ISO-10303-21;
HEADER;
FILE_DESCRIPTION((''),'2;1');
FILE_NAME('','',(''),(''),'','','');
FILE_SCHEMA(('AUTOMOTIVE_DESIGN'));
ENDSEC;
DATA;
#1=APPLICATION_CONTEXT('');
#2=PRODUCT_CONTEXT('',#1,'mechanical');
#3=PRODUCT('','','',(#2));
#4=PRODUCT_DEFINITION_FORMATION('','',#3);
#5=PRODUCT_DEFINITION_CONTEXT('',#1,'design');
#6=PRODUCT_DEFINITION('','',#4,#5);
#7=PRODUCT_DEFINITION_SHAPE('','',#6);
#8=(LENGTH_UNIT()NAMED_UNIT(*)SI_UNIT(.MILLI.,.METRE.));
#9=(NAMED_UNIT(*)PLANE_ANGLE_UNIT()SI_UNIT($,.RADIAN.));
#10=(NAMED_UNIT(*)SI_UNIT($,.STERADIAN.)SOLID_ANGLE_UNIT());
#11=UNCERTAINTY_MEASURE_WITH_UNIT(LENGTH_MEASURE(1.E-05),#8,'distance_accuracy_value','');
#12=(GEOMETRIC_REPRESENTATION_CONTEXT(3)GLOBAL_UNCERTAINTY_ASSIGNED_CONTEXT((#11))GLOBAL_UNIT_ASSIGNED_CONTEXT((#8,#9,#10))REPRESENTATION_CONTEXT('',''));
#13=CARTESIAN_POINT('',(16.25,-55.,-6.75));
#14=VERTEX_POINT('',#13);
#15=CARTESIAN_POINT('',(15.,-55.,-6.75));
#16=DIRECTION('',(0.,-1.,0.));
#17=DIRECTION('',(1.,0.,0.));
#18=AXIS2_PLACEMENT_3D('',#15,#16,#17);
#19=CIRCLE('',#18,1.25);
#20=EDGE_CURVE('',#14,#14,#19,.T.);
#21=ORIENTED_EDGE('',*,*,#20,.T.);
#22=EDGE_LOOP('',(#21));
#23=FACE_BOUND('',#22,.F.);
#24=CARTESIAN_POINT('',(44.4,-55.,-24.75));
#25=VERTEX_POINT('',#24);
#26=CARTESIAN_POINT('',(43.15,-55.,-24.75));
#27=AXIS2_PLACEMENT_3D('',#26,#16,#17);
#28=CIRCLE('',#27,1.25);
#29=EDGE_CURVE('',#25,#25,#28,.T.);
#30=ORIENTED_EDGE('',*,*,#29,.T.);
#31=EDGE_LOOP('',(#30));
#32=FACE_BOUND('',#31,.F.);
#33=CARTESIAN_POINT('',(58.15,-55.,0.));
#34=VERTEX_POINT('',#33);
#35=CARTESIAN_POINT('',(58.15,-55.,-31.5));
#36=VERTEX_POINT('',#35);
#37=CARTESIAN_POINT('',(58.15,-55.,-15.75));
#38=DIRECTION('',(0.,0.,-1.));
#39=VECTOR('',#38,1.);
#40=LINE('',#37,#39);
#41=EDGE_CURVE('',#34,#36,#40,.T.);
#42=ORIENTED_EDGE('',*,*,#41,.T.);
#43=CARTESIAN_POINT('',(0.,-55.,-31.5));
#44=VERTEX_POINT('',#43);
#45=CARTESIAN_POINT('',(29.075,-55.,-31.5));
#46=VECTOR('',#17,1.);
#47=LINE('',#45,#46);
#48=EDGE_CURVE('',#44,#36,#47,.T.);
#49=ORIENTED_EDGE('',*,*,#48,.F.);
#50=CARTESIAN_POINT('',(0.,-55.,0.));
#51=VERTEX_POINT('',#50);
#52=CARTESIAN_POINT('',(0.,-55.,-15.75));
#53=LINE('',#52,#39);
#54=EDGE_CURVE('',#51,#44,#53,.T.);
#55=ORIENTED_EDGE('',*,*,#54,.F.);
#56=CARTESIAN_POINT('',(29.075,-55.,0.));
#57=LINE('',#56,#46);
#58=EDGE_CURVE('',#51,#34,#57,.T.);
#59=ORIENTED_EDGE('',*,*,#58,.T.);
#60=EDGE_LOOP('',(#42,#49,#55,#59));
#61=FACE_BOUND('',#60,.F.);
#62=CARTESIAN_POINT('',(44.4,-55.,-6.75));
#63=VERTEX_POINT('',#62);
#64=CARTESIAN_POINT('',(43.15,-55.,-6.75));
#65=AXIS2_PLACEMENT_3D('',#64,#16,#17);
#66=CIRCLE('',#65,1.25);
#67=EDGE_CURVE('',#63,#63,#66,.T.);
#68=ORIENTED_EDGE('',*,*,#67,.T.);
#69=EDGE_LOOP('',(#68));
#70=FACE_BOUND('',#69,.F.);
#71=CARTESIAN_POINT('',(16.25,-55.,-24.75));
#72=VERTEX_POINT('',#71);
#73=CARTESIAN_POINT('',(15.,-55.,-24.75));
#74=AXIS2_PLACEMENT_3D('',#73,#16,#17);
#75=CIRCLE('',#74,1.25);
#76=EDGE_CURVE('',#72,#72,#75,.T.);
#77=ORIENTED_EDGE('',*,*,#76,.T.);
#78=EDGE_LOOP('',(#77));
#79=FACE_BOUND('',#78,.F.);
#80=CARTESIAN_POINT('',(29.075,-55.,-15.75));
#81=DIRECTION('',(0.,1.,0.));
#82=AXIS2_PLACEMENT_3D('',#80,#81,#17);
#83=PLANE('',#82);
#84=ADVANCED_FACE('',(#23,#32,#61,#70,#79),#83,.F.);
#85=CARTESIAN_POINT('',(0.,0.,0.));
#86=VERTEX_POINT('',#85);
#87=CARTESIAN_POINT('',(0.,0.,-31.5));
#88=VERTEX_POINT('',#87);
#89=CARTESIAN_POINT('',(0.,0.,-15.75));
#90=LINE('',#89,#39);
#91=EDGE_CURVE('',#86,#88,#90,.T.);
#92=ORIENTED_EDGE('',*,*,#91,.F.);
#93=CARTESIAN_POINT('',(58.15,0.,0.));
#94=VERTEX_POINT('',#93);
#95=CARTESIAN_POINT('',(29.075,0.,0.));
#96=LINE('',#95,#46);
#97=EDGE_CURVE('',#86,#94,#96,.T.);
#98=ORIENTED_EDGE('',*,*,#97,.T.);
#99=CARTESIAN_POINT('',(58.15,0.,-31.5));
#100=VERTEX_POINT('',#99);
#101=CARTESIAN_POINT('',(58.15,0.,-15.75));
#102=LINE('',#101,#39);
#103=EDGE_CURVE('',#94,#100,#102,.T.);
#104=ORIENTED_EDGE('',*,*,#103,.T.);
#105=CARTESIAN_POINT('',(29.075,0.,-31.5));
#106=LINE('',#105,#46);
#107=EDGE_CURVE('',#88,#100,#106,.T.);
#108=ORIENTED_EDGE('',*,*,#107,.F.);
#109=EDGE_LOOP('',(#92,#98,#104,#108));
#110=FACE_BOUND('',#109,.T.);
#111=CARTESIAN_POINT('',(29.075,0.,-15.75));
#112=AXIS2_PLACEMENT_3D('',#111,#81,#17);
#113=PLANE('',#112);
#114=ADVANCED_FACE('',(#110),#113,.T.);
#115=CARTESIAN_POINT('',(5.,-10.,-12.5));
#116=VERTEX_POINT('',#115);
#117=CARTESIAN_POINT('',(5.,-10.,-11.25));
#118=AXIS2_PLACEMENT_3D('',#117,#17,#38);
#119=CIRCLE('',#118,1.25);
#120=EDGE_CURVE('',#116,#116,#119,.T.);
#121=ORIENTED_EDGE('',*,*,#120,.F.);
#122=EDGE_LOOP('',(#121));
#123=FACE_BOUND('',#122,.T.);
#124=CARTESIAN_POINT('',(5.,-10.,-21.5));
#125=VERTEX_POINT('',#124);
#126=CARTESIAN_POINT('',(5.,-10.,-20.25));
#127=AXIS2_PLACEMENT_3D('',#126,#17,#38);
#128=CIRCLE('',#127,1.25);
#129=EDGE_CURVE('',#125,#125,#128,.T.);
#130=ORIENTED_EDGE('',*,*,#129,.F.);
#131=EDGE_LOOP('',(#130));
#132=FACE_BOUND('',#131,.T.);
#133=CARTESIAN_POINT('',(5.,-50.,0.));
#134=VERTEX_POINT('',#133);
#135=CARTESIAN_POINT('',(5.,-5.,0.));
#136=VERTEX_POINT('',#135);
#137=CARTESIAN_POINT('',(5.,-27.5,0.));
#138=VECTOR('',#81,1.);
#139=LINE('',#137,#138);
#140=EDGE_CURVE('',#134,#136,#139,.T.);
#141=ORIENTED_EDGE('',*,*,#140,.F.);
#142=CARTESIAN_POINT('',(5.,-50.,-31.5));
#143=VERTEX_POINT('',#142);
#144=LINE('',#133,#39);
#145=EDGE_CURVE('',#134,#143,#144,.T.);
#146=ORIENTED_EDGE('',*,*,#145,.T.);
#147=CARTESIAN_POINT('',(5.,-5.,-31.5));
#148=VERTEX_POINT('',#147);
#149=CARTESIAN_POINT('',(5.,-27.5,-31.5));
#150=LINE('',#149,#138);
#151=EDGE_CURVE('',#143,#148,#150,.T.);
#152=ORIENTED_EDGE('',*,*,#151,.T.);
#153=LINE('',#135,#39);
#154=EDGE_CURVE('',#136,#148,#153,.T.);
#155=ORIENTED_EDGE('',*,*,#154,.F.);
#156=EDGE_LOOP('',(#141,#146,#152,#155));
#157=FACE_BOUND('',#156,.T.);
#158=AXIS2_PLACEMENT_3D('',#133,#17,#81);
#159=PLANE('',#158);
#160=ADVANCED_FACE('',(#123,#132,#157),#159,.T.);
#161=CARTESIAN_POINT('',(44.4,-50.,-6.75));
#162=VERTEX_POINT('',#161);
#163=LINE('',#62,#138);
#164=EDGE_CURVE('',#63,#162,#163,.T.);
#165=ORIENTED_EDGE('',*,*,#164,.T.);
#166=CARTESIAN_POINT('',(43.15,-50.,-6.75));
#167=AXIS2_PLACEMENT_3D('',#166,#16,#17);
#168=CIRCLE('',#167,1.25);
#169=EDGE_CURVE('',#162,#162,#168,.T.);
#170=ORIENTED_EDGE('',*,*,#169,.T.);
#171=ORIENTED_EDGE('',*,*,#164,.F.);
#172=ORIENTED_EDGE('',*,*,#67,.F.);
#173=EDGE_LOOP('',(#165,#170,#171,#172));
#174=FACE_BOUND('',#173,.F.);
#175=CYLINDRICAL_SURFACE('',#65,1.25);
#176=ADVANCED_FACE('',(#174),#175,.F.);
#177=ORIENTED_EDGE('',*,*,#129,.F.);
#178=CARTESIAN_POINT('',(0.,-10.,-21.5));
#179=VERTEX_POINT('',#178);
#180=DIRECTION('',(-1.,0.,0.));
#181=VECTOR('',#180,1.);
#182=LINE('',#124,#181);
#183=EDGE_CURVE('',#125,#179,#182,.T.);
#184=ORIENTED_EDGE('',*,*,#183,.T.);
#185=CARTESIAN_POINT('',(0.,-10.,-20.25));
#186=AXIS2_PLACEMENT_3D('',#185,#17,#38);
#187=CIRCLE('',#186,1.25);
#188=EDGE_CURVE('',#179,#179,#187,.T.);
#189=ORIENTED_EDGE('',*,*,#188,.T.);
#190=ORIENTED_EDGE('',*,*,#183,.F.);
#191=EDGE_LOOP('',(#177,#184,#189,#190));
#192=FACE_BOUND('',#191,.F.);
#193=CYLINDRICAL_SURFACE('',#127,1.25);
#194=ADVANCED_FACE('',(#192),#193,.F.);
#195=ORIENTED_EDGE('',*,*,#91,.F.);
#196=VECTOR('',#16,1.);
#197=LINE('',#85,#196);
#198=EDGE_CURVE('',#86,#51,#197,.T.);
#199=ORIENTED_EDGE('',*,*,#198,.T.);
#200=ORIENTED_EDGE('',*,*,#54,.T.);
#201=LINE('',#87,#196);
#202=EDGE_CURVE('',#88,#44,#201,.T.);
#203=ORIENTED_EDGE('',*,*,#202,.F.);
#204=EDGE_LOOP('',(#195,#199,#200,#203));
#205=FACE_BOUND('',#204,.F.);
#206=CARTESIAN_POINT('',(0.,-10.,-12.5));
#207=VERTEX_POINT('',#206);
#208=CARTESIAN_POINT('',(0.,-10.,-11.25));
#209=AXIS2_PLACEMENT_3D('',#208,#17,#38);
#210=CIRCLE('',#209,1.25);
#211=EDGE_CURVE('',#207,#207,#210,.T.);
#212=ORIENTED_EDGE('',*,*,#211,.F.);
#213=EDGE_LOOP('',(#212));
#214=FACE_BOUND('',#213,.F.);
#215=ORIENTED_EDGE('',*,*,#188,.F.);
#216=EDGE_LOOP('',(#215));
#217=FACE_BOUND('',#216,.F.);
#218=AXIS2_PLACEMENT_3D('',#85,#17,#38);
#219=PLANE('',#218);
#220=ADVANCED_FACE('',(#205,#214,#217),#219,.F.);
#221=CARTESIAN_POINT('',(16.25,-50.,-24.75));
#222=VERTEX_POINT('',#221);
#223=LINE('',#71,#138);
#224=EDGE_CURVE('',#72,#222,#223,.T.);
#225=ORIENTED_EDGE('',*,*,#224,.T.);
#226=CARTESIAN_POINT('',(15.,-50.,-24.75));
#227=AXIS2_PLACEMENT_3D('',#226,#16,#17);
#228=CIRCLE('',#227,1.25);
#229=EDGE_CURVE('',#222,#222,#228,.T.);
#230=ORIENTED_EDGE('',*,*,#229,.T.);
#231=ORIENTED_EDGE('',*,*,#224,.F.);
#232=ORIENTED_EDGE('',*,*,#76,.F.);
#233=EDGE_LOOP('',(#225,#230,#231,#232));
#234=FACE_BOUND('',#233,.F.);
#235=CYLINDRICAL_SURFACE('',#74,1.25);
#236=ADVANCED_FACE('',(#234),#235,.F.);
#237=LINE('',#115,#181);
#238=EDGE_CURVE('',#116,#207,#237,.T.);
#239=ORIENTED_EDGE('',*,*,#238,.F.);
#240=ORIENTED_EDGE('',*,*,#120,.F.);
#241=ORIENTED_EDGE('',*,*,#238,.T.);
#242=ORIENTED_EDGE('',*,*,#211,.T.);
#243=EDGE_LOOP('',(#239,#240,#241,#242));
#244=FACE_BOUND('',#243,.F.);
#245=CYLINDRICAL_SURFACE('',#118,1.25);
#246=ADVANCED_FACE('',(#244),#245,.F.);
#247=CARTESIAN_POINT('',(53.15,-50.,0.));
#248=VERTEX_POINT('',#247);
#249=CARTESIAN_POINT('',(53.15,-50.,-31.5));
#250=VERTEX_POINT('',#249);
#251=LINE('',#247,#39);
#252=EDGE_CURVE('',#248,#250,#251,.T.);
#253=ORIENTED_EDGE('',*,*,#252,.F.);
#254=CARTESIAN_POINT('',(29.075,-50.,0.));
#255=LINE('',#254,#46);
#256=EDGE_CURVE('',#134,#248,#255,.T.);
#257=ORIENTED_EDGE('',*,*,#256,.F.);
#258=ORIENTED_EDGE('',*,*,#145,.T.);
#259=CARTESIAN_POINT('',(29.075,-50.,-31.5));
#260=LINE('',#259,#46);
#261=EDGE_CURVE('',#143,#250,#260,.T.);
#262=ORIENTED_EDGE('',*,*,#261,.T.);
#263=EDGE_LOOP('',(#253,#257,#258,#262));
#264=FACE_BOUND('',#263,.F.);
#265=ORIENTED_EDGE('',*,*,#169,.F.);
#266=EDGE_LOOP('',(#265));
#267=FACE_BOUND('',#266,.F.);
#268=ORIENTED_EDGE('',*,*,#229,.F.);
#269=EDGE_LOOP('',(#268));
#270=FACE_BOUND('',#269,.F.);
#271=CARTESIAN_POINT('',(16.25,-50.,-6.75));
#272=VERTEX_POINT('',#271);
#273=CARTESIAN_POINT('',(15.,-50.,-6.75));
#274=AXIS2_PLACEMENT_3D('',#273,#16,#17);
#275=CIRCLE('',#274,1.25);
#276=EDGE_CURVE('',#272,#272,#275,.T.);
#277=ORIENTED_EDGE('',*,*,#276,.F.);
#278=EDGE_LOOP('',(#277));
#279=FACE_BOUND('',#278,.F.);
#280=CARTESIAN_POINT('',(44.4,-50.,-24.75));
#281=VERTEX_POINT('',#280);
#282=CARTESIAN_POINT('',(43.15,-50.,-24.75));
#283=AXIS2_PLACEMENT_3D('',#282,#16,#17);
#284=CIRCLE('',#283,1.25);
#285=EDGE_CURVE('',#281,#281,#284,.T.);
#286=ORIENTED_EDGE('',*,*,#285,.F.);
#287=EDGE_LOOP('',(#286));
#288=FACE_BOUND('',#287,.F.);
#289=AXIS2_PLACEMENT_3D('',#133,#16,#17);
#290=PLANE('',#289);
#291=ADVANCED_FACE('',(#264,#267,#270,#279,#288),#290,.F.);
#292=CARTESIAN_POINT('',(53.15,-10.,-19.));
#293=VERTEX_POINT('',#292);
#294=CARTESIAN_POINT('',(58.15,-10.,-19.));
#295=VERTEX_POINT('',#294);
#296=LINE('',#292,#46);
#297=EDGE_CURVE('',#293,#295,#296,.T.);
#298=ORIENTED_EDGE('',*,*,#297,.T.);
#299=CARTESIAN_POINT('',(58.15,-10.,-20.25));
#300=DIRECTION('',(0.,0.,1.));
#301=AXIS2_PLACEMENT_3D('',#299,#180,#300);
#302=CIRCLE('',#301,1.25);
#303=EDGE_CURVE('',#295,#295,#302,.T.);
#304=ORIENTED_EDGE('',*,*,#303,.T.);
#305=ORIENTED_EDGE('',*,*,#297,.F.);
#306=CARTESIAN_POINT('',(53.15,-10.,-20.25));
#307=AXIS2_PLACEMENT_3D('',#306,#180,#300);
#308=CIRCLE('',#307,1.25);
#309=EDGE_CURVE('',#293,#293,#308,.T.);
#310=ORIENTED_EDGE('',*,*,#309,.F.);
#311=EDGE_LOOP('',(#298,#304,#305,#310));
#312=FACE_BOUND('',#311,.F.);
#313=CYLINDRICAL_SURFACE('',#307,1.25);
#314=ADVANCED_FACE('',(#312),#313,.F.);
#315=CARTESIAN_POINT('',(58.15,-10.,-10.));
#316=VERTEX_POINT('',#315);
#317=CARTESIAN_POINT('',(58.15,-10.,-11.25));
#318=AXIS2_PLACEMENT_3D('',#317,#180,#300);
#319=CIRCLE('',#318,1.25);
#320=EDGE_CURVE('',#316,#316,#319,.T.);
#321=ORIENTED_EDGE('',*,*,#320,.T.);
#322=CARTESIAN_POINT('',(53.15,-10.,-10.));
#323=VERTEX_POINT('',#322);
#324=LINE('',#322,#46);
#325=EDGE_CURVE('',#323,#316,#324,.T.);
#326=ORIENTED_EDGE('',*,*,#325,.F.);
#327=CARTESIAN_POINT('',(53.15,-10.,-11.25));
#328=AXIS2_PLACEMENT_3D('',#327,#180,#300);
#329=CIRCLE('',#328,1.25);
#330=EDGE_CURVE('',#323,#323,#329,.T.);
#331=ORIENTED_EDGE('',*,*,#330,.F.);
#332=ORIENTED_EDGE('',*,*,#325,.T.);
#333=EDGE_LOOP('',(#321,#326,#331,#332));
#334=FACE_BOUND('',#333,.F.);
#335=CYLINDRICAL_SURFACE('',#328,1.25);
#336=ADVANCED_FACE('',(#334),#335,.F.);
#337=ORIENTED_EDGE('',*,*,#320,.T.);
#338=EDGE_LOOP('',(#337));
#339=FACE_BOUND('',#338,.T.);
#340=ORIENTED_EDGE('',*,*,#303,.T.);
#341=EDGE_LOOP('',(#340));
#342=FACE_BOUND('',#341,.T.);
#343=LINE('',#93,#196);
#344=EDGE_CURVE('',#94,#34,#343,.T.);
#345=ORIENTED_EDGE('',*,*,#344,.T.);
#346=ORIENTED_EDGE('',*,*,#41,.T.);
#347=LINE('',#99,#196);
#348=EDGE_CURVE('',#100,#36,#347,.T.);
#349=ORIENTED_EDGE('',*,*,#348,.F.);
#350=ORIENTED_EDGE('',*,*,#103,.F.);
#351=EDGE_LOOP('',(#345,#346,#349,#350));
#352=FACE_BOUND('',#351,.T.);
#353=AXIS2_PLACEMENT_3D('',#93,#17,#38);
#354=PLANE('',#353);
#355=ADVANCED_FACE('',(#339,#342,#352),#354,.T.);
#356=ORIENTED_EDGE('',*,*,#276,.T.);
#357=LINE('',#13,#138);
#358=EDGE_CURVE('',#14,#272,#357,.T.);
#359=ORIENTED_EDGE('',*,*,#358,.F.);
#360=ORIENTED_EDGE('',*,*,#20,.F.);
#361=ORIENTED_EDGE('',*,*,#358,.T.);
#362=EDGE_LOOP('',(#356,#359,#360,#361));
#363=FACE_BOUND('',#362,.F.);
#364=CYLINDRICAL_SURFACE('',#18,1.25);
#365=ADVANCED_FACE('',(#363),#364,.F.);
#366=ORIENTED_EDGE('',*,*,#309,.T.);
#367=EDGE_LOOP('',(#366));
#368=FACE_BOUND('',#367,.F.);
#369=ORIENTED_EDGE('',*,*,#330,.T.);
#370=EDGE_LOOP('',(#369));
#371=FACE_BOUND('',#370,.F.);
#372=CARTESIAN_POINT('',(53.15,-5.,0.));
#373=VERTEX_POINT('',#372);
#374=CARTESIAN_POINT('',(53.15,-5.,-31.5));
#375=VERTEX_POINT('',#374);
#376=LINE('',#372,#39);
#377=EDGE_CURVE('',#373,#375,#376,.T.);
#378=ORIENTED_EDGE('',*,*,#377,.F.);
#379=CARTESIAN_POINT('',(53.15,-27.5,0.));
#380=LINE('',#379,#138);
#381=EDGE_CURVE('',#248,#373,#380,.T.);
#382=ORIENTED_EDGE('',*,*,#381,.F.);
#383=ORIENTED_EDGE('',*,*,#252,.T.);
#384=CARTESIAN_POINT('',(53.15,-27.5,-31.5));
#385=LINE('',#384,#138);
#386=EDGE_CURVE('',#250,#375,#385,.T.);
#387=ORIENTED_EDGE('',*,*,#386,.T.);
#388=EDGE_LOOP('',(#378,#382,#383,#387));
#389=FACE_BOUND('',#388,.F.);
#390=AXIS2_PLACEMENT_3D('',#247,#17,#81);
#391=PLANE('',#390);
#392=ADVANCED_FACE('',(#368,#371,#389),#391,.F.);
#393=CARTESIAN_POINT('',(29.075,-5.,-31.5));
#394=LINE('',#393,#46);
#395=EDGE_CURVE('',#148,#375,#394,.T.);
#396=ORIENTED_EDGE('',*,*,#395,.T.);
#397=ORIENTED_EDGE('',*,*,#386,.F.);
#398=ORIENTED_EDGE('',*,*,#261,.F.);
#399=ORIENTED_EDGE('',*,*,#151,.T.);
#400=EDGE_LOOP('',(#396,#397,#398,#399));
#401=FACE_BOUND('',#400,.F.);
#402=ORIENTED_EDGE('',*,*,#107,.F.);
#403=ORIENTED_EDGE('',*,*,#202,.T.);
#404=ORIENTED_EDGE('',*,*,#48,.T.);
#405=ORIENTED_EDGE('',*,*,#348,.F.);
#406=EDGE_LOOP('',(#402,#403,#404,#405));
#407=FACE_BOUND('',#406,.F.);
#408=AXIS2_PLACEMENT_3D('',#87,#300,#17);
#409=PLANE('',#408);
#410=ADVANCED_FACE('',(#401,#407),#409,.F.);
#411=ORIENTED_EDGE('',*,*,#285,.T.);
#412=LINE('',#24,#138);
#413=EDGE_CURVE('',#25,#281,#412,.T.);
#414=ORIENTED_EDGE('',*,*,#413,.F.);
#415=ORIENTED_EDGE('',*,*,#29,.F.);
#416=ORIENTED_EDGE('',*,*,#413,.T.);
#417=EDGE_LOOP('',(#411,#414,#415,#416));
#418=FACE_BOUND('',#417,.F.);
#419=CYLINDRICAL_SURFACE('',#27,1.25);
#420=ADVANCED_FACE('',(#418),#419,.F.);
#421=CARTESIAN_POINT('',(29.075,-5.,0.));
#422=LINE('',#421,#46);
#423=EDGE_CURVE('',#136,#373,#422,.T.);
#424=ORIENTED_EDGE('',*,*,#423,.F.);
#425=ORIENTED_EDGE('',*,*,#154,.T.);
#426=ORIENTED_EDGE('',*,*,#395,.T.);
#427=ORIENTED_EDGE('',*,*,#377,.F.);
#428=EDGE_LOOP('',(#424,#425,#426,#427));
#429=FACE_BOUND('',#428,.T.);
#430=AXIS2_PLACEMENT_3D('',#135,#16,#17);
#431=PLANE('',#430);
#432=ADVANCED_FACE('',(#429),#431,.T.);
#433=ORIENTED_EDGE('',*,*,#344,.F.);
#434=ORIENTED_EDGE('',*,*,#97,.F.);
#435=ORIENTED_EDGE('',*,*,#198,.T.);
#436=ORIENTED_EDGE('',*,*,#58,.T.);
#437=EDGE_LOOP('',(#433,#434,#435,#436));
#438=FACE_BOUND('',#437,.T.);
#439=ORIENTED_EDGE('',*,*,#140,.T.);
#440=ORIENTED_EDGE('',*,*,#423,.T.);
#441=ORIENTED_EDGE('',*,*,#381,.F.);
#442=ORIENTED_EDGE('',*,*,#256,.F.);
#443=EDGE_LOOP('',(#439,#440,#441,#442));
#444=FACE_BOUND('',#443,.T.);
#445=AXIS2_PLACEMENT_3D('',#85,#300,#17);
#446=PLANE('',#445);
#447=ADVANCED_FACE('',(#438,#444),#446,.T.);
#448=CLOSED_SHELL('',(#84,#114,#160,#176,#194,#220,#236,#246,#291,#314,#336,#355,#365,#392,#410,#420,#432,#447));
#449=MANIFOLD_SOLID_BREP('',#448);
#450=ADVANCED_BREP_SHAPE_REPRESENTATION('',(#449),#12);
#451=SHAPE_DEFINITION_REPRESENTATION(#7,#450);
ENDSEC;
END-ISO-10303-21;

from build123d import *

# Parameters (mm, degrees)
SKETCH_1_W          = 58.15
SKETCH_1_H          = 31.5
EXTRUDE_1_DEPTH     = 55
SKETCH_2_W          = 48.15
SKETCH_2_H          = 45
CUT_EXTRUDE_1_DEPTH = 31.5
SKETCH_4_R          = 1.25
CUT_EXTRUDE_2_DEPTH = 10
SKETCH_5_R          = 1.25
CUT_EXTRUDE_3_DEPTH = 10
SKETCH_6_R          = 1.25
CUT_EXTRUDE_4_DEPTH = 10


with BuildPart() as part:
    # 草图1 → 凸台-拉伸1 (new body)
    with BuildSketch(Plane(origin=(0, 0, 0), x_dir=(1, 0, 0), z_dir=(0, 1, 0))):
        with Locations((29.075, 15.75)):
            Rectangle(SKETCH_1_W, SKETCH_1_H)
    extrude(amount=-EXTRUDE_1_DEPTH)

    # 草图2 → 切除-拉伸1 (cut)
    with BuildSketch(Plane.XY):
        with Locations((29.075, -27.5)):
            Rectangle(SKETCH_2_W, SKETCH_2_H)
    extrude(amount=-CUT_EXTRUDE_1_DEPTH, mode=Mode.SUBTRACT)

    # 草图4 → 切除-拉伸2 (cut)
    with BuildSketch(Plane.XZ.offset(55)):
        with Locations((15, -6.75)):
            Circle(SKETCH_4_R)
        with Locations((15, -24.75)):
            Circle(SKETCH_4_R)
        with Locations((43.15, -6.75)):
            Circle(SKETCH_4_R)
        with Locations((43.15, -24.75)):
            Circle(SKETCH_4_R)
    extrude(amount=-CUT_EXTRUDE_2_DEPTH, mode=Mode.SUBTRACT)

    # 草图5 → 切除-拉伸3 (cut)
    with BuildSketch(Plane.ZY.offset(-53.15)):
        with Locations((-20.25, -10)):
            Circle(SKETCH_5_R)
        with Locations((-11.25, -10)):
            Circle(SKETCH_5_R)
    extrude(amount=-CUT_EXTRUDE_3_DEPTH, mode=Mode.SUBTRACT)

    # 草图6 → 切除-拉伸4 (cut)
    with BuildSketch(Plane(origin=(5, 0, 0), x_dir=(0, 0, -1), z_dir=(1, 0, 0))):
        with Locations((11.25, -10)):
            Circle(SKETCH_6_R)
        with Locations((20.25, -10)):
            Circle(SKETCH_6_R)
    extrude(amount=-CUT_EXTRUDE_4_DEPTH, mode=Mode.SUBTRACT)


solid = part.part
